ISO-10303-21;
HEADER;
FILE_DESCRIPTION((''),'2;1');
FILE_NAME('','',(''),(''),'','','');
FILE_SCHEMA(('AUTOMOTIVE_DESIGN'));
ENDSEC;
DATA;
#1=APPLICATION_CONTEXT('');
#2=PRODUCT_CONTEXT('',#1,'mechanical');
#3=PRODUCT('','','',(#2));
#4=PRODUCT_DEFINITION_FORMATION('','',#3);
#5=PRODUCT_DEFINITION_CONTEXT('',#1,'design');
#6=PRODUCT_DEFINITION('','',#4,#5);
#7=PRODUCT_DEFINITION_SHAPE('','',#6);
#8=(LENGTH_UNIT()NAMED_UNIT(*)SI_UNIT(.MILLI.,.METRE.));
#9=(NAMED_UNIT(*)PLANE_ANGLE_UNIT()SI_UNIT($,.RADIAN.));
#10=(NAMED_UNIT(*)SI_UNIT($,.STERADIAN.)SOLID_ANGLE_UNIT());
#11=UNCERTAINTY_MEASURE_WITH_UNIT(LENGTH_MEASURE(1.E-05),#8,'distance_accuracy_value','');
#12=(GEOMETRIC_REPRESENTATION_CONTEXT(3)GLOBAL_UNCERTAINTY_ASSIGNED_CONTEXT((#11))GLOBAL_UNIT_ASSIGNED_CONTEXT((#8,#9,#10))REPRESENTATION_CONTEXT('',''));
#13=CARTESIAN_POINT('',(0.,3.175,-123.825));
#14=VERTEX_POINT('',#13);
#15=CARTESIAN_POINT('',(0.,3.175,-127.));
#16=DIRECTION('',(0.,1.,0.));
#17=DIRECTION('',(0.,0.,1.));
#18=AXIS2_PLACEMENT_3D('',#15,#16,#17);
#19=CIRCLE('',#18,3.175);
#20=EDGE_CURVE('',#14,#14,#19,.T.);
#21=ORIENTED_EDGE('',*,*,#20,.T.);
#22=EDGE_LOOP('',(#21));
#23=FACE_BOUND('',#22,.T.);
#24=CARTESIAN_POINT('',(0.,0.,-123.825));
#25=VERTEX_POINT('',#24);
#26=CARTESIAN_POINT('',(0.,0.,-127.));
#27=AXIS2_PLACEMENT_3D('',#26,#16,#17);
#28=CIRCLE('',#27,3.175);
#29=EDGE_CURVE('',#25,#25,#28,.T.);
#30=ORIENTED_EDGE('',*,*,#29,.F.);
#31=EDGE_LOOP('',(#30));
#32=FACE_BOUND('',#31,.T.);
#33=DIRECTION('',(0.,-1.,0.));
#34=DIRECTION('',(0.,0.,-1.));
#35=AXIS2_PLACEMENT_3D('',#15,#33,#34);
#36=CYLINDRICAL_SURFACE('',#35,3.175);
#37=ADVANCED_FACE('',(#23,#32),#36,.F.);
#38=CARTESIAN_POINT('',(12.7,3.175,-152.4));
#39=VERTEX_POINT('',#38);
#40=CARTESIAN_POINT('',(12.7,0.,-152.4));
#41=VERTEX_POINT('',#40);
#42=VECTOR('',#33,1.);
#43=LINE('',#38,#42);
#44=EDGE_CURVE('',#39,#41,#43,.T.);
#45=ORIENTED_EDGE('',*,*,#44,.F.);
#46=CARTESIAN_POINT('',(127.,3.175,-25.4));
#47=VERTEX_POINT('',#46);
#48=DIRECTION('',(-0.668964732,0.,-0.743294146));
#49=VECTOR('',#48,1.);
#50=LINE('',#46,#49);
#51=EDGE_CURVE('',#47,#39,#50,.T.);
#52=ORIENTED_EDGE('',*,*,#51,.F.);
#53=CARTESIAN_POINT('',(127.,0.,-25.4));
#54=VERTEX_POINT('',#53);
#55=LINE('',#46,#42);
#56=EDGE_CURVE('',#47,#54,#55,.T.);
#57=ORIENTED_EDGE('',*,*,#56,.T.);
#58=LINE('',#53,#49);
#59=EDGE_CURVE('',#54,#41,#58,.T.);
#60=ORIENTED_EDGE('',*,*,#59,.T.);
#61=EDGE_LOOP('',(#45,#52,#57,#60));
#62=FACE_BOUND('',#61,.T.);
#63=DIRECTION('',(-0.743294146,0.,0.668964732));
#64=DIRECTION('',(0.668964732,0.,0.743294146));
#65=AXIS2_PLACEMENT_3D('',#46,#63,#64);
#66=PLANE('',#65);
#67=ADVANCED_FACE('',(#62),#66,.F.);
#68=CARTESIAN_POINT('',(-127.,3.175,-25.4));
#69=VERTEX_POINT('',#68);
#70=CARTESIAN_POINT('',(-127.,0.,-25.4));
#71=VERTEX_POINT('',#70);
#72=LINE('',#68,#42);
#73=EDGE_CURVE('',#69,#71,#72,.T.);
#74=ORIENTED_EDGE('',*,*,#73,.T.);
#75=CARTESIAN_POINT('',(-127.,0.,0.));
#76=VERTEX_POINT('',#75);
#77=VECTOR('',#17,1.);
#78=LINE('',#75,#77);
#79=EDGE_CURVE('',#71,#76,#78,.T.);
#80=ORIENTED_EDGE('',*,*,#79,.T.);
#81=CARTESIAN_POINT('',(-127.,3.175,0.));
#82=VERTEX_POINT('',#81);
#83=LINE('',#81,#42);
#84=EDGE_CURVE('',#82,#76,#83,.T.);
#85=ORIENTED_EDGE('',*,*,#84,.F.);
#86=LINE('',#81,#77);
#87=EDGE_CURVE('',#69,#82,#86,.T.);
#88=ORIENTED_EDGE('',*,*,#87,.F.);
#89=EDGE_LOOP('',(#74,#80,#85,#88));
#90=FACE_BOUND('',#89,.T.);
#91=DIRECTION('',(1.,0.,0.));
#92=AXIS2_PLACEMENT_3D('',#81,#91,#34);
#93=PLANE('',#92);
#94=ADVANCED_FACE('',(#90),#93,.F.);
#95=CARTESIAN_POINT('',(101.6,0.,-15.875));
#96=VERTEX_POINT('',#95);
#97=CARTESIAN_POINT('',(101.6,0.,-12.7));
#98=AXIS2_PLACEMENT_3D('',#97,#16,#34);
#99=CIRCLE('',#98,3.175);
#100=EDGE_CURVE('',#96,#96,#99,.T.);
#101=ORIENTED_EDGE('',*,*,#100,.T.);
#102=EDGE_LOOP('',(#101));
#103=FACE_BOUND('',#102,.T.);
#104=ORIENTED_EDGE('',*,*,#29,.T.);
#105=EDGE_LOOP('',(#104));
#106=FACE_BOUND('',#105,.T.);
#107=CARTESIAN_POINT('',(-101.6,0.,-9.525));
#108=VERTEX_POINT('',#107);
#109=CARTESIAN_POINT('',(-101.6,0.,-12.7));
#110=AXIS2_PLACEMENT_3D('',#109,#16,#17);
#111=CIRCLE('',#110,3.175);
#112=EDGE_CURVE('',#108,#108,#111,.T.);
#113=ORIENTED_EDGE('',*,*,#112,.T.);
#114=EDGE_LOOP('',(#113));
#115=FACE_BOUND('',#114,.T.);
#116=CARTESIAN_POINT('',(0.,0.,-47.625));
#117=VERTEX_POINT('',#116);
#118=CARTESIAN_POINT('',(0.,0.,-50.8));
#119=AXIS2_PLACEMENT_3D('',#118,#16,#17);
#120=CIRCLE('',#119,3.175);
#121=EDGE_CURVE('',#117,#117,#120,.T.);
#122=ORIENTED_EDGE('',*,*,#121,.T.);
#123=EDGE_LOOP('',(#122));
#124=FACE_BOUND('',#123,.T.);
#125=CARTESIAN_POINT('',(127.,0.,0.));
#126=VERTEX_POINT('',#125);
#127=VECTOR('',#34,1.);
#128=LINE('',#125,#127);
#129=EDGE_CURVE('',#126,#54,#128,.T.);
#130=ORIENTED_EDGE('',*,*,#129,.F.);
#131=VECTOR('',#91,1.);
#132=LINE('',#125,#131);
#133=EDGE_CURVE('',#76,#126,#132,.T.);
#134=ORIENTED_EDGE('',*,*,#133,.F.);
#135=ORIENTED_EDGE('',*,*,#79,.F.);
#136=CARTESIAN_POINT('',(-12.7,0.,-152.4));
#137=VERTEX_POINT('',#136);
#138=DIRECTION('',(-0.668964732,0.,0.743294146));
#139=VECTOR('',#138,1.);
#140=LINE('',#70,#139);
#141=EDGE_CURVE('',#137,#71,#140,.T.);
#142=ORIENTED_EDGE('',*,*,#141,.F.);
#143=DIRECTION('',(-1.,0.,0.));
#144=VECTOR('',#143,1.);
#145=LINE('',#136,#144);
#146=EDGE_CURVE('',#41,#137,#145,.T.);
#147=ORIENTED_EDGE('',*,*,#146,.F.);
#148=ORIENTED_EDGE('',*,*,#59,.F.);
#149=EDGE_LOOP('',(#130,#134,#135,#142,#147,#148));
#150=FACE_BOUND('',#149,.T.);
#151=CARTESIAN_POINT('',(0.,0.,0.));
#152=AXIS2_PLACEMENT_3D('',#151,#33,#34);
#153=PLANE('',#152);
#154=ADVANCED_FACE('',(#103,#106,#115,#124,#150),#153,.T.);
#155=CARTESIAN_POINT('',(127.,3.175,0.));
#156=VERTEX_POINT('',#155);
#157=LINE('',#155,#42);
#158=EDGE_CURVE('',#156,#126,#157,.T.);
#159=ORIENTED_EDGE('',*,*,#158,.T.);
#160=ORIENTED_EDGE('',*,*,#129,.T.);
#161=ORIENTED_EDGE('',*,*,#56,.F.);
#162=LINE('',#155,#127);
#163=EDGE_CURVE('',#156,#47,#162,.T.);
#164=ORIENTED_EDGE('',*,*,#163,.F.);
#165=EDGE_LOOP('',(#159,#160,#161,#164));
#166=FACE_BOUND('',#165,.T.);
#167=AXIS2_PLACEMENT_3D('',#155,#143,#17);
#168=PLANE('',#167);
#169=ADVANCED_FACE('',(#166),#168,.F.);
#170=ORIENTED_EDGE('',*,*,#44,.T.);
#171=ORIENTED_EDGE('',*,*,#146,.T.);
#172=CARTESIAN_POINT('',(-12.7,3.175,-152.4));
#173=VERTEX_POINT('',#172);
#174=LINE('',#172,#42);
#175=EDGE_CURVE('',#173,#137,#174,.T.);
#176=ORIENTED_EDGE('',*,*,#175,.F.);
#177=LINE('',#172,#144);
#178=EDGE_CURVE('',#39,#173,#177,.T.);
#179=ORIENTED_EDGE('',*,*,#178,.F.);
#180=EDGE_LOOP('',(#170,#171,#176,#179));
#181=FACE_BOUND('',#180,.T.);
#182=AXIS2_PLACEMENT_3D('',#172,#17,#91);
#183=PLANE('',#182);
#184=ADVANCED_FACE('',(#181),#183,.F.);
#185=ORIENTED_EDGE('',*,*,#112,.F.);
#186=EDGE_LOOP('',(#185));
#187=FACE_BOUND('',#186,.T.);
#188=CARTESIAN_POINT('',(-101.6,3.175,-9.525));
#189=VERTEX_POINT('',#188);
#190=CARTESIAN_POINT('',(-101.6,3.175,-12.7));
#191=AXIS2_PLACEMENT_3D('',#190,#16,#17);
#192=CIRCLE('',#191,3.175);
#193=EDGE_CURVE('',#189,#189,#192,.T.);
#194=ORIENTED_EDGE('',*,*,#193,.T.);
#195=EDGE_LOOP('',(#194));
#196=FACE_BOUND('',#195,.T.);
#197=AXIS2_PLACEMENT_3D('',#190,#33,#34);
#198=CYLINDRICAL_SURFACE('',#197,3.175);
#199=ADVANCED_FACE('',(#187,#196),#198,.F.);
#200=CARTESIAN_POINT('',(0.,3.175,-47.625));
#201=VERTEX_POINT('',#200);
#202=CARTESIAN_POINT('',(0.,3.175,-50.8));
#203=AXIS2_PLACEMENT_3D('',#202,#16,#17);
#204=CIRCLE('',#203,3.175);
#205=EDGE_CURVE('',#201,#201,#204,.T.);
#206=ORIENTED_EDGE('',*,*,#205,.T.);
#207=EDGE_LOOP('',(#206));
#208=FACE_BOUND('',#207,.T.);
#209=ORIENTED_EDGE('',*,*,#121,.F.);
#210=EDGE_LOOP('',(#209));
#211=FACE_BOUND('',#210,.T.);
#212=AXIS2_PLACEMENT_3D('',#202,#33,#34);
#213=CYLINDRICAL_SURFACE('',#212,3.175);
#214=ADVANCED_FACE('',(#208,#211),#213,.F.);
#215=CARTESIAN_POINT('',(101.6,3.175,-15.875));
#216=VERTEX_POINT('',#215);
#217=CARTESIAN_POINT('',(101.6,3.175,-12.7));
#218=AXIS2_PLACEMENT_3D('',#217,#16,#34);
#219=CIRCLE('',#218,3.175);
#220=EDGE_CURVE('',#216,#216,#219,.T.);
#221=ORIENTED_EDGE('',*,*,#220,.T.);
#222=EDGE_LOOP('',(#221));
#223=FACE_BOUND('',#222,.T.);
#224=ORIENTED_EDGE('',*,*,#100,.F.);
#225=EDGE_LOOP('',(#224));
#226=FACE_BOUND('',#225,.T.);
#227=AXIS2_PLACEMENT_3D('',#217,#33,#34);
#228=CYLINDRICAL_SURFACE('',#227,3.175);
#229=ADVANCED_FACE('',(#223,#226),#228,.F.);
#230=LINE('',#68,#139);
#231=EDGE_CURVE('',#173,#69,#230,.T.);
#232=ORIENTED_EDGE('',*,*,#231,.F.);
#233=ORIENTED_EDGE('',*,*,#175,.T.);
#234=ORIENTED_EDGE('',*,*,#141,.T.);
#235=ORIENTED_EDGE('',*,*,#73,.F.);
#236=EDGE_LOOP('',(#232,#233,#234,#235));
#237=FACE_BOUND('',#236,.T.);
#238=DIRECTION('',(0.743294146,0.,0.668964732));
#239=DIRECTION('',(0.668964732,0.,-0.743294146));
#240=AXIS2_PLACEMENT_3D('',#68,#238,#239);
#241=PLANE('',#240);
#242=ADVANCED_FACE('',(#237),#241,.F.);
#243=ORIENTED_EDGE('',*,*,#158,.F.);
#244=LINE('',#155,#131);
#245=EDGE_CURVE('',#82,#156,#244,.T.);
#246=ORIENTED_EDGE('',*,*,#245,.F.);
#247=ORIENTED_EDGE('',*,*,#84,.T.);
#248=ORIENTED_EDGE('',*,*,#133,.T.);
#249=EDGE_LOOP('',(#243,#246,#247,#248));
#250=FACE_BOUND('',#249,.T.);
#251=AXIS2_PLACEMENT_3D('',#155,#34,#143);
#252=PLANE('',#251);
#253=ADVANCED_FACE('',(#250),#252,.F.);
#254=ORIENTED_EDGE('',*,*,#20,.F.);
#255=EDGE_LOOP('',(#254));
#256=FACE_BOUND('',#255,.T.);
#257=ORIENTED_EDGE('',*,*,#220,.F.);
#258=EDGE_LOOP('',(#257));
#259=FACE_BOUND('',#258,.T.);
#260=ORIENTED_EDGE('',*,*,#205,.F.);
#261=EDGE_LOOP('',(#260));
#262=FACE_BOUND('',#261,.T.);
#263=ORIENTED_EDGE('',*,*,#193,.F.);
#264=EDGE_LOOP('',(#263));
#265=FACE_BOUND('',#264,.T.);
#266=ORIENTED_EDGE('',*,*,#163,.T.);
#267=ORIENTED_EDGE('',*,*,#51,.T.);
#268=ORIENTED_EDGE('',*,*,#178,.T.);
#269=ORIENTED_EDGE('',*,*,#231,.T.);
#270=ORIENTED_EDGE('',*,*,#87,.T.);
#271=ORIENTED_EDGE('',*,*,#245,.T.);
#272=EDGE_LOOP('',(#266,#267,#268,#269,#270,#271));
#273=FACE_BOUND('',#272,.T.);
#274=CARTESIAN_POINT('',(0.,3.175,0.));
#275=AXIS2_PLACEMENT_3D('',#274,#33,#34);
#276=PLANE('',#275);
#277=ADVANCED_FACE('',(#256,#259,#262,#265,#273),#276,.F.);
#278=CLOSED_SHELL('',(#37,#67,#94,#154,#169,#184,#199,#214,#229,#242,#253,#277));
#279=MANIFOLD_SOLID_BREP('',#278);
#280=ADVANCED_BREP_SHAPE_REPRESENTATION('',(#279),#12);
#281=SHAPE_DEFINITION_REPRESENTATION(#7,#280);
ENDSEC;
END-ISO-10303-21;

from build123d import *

# Parameters (mm, degrees)
SKETCH1_R           = 3.175
BOSS_EXTRUDE1_DEPTH = 3.175


with BuildPart() as part:
    # Sketch1 → Boss-Extrude1 (new body)
    with BuildSketch(Plane(origin=(0, 0, 0), x_dir=(1, 0, 0), z_dir=(0, 1, 0))):
        Polygon((127, 0), (-127, 0), (-127, 25.4), (-12.7, 152.4), (12.7, 152.4), (127, 25.4), align=None)
        with Locations((0, 127)):
            Circle(SKETCH1_R, mode=Mode.SUBTRACT)
        with Locations((0, 50.8)):
            Circle(SKETCH1_R, mode=Mode.SUBTRACT)
        with Locations((-101.6, 12.7)):
            Circle(SKETCH1_R, mode=Mode.SUBTRACT)
        with Locations((101.6, 12.7)):
            Circle(SKETCH1_R, mode=Mode.SUBTRACT)
    extrude(amount=BOSS_EXTRUDE1_DEPTH)


solid = part.part
